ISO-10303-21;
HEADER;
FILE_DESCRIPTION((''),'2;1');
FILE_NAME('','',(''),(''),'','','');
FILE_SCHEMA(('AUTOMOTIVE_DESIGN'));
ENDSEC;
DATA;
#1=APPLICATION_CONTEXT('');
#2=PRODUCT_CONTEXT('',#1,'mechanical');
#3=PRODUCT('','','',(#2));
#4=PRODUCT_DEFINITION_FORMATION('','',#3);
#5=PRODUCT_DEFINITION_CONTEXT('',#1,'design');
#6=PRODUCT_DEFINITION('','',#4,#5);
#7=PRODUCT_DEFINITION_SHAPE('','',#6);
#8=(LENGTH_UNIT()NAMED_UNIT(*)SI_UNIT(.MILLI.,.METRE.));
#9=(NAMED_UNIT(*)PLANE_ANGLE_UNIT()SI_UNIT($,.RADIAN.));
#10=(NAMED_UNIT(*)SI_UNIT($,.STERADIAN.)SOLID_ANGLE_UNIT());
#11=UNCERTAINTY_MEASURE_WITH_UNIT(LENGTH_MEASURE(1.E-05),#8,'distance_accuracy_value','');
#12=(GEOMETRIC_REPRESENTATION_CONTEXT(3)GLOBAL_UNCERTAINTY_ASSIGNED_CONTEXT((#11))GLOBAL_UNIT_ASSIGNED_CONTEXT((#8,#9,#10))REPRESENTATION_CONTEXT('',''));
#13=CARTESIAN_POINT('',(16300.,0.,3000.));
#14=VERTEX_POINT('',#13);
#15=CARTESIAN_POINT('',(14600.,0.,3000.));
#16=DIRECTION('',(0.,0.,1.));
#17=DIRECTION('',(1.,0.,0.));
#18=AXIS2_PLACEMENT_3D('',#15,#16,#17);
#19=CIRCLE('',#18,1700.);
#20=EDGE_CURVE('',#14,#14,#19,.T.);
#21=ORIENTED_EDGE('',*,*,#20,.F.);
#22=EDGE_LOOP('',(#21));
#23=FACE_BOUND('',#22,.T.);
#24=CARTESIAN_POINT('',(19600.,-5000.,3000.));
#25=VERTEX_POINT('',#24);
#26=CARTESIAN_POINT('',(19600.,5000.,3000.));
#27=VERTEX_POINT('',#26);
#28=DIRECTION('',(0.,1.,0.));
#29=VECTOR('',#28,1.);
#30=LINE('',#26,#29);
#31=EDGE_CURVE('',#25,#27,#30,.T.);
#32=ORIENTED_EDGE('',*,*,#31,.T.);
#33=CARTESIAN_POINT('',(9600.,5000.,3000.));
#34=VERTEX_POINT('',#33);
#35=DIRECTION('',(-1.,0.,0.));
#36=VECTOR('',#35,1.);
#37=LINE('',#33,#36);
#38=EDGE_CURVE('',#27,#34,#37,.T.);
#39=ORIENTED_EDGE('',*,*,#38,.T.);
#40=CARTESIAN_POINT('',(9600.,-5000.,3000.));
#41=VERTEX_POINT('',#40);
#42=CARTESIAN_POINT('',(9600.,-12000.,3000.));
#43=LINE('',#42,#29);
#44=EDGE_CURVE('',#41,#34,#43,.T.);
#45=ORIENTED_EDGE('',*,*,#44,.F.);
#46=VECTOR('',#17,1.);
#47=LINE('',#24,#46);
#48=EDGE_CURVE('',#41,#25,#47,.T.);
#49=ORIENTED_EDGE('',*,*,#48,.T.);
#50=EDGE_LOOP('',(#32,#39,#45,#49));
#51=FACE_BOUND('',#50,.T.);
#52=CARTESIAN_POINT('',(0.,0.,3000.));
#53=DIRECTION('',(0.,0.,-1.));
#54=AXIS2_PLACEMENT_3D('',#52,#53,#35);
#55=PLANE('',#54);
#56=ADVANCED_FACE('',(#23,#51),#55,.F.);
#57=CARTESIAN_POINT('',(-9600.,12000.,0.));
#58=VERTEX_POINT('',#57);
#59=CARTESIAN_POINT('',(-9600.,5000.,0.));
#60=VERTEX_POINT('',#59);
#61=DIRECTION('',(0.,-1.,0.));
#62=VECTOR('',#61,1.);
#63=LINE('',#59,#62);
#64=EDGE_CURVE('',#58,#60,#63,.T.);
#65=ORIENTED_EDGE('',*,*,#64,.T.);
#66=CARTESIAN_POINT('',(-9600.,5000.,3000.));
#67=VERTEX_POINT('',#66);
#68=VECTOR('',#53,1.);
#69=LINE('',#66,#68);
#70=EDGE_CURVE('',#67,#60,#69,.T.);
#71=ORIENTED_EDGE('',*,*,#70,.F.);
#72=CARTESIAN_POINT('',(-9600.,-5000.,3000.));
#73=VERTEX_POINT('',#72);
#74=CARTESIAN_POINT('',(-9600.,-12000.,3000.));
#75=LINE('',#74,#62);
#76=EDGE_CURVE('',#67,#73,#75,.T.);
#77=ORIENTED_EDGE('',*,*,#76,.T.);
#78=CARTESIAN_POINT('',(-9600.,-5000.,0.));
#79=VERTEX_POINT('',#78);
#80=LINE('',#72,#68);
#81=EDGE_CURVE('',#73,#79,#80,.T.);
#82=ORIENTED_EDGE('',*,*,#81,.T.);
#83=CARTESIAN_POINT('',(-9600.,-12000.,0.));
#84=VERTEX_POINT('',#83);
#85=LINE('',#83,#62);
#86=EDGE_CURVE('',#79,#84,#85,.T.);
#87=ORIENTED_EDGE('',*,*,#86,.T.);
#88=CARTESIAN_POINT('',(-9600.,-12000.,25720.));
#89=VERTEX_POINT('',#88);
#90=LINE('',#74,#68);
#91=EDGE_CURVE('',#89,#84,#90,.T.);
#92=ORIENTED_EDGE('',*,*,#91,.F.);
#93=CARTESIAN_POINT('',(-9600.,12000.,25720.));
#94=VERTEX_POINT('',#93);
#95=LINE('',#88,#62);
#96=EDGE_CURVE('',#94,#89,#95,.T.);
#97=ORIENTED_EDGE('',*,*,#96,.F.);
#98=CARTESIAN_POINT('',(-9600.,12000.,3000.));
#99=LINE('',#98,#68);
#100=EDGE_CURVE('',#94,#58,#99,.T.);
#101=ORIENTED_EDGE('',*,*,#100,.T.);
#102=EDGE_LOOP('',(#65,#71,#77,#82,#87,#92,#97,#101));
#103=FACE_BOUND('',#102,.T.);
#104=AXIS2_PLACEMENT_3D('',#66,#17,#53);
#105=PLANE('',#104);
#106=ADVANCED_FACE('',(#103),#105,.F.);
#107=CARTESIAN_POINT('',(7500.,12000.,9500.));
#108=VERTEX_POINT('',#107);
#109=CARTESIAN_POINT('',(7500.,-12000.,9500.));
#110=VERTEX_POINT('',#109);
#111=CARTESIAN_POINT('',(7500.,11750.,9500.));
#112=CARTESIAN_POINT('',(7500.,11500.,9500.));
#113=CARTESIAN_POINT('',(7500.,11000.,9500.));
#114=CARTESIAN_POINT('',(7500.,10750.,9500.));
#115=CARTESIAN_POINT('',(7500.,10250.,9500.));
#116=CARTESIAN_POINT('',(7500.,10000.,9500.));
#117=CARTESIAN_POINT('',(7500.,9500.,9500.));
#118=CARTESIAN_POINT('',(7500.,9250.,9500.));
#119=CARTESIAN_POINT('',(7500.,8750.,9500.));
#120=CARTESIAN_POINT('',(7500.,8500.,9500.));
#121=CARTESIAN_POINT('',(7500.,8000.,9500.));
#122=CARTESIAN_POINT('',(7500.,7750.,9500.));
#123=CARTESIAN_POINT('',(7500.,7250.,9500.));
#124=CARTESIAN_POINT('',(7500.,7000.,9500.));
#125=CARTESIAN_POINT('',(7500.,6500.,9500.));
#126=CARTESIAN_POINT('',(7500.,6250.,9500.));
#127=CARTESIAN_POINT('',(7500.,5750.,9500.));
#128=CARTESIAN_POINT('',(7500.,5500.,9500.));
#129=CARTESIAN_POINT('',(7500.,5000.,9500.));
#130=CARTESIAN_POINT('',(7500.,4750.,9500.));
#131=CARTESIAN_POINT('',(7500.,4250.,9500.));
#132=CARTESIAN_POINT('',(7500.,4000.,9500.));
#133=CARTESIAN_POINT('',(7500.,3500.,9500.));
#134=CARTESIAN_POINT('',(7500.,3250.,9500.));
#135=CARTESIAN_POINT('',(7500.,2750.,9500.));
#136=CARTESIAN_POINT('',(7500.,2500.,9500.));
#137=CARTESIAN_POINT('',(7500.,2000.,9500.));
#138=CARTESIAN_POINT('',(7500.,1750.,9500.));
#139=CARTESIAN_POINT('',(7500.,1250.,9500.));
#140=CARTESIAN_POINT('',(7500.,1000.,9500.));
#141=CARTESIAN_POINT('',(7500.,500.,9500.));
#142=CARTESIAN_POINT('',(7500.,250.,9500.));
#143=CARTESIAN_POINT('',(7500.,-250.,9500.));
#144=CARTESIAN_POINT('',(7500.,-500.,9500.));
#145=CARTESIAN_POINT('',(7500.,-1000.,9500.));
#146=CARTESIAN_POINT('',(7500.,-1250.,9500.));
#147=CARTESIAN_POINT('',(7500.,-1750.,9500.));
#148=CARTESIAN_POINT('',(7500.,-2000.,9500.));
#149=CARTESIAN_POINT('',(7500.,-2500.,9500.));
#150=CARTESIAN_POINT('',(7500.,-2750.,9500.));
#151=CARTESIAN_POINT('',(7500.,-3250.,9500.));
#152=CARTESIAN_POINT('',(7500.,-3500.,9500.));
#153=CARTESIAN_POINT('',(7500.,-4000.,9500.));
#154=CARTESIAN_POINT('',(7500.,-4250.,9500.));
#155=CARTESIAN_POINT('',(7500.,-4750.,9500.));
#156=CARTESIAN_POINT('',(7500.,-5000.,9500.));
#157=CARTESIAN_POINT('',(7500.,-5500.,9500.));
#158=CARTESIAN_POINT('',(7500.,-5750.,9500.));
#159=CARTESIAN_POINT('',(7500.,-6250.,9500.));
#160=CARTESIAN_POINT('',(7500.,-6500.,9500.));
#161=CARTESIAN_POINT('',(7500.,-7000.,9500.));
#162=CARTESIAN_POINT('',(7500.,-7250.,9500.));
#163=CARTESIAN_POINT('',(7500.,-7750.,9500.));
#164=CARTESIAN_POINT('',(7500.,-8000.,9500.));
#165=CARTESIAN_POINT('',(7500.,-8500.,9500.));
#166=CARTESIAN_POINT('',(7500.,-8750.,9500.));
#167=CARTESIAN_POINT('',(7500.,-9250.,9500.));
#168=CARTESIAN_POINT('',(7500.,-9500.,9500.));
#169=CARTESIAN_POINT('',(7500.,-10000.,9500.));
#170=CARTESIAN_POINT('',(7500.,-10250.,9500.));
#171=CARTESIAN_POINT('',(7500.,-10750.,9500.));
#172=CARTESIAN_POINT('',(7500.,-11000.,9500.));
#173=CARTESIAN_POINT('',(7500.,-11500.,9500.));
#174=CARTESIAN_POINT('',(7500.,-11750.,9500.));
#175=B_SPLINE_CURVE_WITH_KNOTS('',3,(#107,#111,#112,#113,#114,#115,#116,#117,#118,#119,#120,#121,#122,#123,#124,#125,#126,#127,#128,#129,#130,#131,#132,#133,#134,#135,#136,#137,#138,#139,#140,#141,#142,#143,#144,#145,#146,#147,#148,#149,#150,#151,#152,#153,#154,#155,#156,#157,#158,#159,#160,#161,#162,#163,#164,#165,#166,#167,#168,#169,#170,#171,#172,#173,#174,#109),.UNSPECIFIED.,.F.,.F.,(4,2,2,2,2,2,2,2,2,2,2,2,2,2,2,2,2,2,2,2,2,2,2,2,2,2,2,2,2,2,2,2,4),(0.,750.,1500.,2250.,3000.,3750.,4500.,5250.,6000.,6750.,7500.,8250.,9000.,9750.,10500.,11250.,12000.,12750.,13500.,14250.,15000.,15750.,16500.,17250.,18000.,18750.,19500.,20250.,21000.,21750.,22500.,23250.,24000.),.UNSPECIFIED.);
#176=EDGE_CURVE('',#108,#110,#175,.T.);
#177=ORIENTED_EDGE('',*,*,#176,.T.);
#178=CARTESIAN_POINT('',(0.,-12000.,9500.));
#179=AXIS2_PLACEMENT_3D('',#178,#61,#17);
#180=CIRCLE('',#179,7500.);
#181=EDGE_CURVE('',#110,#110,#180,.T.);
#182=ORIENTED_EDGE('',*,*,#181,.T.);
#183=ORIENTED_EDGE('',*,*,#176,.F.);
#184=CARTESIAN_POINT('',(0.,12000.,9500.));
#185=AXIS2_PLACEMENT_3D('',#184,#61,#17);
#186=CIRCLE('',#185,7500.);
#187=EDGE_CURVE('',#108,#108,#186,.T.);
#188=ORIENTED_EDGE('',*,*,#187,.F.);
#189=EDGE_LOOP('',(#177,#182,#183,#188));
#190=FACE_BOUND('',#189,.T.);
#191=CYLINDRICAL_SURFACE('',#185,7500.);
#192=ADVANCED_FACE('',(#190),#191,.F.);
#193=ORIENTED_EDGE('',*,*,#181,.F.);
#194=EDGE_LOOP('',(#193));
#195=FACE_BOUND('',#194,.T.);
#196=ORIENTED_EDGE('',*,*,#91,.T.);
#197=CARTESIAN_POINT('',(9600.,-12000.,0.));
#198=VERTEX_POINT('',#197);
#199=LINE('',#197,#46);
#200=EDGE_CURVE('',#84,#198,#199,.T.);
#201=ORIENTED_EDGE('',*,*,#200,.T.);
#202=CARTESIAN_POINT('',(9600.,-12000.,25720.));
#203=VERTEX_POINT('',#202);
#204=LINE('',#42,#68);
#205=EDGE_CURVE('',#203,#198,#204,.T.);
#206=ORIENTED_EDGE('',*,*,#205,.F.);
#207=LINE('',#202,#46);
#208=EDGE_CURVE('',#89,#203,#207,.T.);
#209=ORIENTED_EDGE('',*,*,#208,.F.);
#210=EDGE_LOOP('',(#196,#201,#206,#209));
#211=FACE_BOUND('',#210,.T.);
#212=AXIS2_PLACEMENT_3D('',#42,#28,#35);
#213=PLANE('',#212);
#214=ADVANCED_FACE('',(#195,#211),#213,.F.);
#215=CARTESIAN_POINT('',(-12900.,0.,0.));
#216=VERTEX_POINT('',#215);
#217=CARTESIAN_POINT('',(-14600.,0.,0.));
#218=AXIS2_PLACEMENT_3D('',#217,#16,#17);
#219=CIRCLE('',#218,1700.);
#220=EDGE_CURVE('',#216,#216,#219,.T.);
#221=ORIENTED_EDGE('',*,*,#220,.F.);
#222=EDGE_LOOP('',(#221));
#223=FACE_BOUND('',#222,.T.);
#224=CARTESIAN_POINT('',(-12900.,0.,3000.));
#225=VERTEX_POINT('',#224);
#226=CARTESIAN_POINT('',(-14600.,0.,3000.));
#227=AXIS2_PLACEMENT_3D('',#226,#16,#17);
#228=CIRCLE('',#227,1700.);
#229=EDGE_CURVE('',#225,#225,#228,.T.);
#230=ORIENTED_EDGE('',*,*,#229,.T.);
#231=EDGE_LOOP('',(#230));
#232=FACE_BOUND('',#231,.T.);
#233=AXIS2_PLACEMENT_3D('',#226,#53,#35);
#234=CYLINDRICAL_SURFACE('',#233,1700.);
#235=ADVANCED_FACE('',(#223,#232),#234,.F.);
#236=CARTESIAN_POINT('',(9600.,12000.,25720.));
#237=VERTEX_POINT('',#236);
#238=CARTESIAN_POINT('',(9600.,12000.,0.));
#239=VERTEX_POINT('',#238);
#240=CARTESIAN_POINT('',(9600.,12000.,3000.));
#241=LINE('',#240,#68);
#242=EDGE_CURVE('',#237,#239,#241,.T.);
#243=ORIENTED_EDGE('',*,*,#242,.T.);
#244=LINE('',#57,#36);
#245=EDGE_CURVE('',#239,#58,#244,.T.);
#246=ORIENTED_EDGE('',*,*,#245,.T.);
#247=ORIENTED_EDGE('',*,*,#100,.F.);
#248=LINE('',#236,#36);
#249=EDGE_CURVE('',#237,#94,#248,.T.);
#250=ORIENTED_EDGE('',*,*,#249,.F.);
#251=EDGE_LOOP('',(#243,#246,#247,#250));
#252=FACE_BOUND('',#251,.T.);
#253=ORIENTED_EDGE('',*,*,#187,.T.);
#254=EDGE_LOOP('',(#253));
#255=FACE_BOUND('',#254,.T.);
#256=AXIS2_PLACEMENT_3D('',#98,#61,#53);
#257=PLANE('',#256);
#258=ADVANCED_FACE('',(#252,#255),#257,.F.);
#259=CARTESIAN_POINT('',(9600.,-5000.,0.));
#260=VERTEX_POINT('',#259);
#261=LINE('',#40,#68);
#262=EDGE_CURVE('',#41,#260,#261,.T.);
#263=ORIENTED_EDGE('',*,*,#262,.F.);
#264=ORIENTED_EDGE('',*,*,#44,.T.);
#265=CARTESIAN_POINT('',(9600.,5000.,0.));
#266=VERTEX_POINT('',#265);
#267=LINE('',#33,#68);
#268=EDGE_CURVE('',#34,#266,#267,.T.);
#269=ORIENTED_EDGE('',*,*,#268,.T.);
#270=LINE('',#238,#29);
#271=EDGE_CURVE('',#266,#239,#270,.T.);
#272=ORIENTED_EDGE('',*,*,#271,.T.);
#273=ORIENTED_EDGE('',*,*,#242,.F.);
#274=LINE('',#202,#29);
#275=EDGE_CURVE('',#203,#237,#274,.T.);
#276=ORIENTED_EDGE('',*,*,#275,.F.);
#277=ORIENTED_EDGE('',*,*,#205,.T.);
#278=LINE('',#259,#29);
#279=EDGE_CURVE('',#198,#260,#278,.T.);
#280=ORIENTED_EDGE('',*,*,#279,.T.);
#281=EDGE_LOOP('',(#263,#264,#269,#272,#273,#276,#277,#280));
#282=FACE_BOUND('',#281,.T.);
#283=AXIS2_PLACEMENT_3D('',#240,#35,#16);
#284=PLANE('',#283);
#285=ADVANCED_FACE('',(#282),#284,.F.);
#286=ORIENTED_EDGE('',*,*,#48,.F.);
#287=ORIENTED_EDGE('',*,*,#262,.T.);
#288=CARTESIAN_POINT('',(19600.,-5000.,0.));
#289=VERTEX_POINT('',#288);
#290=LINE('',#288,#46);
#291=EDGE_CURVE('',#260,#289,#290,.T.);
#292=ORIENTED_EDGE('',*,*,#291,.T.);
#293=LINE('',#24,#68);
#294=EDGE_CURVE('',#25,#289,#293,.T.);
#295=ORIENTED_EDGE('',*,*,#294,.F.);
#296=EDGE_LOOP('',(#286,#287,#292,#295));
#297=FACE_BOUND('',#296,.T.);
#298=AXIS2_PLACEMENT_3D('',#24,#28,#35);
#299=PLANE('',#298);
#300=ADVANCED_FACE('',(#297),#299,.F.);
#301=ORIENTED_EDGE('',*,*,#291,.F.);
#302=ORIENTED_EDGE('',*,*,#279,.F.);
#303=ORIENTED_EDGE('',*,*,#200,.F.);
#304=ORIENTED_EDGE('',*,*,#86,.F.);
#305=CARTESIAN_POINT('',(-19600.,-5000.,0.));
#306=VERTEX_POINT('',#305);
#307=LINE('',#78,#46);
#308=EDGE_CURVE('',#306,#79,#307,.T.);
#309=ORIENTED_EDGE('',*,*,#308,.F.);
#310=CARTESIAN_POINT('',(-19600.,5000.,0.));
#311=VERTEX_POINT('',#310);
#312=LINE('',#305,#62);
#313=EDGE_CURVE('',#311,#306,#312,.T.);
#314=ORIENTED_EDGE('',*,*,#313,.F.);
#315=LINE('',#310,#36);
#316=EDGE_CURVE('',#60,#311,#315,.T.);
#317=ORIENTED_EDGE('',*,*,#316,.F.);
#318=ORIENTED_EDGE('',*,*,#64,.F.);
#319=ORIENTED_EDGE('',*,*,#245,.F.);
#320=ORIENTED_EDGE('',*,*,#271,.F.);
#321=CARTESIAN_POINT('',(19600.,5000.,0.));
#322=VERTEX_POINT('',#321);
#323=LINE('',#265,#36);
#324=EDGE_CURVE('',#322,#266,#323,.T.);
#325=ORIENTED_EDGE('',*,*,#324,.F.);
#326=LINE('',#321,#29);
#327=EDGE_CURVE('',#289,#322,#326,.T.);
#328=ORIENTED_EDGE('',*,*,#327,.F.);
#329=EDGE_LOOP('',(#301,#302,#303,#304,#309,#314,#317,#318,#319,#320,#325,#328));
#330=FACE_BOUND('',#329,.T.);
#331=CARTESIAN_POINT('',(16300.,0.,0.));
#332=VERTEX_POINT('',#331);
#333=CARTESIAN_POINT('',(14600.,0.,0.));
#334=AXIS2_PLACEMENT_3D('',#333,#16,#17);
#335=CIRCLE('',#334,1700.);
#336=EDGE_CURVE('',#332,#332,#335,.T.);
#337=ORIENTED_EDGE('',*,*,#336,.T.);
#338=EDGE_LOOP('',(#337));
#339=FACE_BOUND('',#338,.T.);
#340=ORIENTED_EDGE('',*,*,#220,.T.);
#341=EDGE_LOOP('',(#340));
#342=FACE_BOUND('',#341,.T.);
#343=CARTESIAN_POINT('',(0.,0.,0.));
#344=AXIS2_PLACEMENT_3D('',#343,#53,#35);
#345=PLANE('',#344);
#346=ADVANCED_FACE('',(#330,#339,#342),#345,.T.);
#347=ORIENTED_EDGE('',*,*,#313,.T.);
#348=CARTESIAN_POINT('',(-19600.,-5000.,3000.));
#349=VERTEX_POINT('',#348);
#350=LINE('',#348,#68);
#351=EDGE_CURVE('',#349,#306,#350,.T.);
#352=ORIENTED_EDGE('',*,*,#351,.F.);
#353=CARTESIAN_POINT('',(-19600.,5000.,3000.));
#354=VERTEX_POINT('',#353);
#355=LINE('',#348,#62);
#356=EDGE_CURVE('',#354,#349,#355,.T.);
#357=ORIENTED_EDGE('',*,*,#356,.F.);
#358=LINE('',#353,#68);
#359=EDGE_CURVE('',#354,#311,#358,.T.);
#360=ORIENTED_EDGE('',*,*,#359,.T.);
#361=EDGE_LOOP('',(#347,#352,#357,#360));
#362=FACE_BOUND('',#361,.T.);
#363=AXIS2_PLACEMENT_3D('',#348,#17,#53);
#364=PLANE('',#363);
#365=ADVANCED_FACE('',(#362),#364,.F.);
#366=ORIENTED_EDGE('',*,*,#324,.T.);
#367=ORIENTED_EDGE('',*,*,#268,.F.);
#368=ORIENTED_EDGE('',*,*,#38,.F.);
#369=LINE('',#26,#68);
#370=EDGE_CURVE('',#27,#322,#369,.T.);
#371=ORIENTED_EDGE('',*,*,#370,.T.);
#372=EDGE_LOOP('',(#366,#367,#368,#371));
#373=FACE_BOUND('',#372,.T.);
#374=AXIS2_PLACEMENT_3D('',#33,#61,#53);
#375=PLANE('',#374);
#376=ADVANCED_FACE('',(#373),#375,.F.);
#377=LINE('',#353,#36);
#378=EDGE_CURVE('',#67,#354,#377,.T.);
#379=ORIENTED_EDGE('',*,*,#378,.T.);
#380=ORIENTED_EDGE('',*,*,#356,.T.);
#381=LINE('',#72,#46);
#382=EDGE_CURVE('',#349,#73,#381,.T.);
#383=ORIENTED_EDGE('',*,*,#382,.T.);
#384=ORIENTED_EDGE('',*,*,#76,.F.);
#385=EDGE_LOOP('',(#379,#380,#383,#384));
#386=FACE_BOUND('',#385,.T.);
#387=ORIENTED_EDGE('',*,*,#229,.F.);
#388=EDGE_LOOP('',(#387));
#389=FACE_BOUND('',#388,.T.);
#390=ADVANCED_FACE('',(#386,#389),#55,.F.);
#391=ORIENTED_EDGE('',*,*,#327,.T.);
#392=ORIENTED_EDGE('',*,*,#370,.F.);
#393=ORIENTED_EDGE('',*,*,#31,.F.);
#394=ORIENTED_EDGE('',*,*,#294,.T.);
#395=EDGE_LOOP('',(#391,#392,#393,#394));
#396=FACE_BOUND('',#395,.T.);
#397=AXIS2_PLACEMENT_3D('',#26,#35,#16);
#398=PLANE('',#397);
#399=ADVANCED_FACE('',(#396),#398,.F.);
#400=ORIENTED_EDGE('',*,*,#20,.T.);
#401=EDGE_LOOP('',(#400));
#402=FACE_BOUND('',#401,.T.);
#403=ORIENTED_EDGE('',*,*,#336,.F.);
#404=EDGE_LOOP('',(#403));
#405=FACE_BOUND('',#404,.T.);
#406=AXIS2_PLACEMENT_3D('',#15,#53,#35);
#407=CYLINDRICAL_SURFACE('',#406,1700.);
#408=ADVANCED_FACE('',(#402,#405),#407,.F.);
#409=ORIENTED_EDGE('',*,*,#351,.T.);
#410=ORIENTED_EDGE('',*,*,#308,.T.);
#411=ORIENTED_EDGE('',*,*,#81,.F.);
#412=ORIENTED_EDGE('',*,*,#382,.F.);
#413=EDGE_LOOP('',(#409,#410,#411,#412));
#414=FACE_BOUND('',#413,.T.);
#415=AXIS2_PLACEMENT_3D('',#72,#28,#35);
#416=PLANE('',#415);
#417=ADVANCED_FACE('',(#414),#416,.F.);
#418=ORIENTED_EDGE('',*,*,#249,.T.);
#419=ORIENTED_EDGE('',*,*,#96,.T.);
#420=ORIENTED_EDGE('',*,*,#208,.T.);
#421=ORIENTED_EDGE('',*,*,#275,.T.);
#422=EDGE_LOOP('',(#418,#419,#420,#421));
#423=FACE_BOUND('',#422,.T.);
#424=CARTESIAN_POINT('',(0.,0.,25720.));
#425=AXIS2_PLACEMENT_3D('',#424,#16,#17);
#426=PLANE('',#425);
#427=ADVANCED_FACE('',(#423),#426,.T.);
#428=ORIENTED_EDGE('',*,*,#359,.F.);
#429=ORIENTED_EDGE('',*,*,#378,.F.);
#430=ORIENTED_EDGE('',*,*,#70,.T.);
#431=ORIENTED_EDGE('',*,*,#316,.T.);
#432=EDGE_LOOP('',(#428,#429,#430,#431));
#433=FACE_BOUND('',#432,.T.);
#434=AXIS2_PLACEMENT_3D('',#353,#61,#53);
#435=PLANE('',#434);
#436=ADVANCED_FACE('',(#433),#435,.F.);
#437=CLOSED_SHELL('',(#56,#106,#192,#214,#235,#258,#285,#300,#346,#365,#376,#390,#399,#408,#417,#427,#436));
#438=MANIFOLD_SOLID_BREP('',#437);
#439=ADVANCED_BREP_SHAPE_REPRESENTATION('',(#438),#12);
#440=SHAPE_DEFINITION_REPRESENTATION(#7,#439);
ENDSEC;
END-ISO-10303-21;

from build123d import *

# Parameters (mm, degrees)
SKETCH2_R           = 1700
BOSS_EXTRUDE1_DEPTH = 3000
SKETCH3_W           = 19200
SKETCH3_H           = 24000
BOSS_EXTRUDE2_DEPTH = 22720
SKETCH4_R           = 7500
CUT_EXTRUDE1_DEPTH  = 40271.068288991


with BuildPart() as part:
    # Sketch2 → Boss-Extrude1 (new body)
    with BuildSketch(Plane.XY):
        Polygon((-19600, 5000), (-9600, 5000), (-9600, 12000), (9600, 12000), (9600, 5000), (19600, 5000), (19600, -5000), (9600, -5000), (9600, -12000), (-9600, -12000), (-9600, -5000), (-19600, -5000), align=None)
        with Locations((-14600, 0)):
            Circle(SKETCH2_R, mode=Mode.SUBTRACT)
        with Locations((14600, 0)):
            Circle(SKETCH2_R, mode=Mode.SUBTRACT)
    extrude(amount=BOSS_EXTRUDE1_DEPTH)

    # Sketch3 → Boss-Extrude2 (add)
    with BuildSketch(Plane.XY.offset(3000)):
        Rectangle(SKETCH3_W, SKETCH3_H)
    extrude(amount=BOSS_EXTRUDE2_DEPTH)

    # Sketch4 → Cut-Extrude1 (cut, through all)
    with BuildSketch(Plane.XZ.offset(12000)):
        with Locations((0, 9500)):
            Circle(SKETCH4_R)
    extrude(amount=-CUT_EXTRUDE1_DEPTH, mode=Mode.SUBTRACT)


solid = part.part
